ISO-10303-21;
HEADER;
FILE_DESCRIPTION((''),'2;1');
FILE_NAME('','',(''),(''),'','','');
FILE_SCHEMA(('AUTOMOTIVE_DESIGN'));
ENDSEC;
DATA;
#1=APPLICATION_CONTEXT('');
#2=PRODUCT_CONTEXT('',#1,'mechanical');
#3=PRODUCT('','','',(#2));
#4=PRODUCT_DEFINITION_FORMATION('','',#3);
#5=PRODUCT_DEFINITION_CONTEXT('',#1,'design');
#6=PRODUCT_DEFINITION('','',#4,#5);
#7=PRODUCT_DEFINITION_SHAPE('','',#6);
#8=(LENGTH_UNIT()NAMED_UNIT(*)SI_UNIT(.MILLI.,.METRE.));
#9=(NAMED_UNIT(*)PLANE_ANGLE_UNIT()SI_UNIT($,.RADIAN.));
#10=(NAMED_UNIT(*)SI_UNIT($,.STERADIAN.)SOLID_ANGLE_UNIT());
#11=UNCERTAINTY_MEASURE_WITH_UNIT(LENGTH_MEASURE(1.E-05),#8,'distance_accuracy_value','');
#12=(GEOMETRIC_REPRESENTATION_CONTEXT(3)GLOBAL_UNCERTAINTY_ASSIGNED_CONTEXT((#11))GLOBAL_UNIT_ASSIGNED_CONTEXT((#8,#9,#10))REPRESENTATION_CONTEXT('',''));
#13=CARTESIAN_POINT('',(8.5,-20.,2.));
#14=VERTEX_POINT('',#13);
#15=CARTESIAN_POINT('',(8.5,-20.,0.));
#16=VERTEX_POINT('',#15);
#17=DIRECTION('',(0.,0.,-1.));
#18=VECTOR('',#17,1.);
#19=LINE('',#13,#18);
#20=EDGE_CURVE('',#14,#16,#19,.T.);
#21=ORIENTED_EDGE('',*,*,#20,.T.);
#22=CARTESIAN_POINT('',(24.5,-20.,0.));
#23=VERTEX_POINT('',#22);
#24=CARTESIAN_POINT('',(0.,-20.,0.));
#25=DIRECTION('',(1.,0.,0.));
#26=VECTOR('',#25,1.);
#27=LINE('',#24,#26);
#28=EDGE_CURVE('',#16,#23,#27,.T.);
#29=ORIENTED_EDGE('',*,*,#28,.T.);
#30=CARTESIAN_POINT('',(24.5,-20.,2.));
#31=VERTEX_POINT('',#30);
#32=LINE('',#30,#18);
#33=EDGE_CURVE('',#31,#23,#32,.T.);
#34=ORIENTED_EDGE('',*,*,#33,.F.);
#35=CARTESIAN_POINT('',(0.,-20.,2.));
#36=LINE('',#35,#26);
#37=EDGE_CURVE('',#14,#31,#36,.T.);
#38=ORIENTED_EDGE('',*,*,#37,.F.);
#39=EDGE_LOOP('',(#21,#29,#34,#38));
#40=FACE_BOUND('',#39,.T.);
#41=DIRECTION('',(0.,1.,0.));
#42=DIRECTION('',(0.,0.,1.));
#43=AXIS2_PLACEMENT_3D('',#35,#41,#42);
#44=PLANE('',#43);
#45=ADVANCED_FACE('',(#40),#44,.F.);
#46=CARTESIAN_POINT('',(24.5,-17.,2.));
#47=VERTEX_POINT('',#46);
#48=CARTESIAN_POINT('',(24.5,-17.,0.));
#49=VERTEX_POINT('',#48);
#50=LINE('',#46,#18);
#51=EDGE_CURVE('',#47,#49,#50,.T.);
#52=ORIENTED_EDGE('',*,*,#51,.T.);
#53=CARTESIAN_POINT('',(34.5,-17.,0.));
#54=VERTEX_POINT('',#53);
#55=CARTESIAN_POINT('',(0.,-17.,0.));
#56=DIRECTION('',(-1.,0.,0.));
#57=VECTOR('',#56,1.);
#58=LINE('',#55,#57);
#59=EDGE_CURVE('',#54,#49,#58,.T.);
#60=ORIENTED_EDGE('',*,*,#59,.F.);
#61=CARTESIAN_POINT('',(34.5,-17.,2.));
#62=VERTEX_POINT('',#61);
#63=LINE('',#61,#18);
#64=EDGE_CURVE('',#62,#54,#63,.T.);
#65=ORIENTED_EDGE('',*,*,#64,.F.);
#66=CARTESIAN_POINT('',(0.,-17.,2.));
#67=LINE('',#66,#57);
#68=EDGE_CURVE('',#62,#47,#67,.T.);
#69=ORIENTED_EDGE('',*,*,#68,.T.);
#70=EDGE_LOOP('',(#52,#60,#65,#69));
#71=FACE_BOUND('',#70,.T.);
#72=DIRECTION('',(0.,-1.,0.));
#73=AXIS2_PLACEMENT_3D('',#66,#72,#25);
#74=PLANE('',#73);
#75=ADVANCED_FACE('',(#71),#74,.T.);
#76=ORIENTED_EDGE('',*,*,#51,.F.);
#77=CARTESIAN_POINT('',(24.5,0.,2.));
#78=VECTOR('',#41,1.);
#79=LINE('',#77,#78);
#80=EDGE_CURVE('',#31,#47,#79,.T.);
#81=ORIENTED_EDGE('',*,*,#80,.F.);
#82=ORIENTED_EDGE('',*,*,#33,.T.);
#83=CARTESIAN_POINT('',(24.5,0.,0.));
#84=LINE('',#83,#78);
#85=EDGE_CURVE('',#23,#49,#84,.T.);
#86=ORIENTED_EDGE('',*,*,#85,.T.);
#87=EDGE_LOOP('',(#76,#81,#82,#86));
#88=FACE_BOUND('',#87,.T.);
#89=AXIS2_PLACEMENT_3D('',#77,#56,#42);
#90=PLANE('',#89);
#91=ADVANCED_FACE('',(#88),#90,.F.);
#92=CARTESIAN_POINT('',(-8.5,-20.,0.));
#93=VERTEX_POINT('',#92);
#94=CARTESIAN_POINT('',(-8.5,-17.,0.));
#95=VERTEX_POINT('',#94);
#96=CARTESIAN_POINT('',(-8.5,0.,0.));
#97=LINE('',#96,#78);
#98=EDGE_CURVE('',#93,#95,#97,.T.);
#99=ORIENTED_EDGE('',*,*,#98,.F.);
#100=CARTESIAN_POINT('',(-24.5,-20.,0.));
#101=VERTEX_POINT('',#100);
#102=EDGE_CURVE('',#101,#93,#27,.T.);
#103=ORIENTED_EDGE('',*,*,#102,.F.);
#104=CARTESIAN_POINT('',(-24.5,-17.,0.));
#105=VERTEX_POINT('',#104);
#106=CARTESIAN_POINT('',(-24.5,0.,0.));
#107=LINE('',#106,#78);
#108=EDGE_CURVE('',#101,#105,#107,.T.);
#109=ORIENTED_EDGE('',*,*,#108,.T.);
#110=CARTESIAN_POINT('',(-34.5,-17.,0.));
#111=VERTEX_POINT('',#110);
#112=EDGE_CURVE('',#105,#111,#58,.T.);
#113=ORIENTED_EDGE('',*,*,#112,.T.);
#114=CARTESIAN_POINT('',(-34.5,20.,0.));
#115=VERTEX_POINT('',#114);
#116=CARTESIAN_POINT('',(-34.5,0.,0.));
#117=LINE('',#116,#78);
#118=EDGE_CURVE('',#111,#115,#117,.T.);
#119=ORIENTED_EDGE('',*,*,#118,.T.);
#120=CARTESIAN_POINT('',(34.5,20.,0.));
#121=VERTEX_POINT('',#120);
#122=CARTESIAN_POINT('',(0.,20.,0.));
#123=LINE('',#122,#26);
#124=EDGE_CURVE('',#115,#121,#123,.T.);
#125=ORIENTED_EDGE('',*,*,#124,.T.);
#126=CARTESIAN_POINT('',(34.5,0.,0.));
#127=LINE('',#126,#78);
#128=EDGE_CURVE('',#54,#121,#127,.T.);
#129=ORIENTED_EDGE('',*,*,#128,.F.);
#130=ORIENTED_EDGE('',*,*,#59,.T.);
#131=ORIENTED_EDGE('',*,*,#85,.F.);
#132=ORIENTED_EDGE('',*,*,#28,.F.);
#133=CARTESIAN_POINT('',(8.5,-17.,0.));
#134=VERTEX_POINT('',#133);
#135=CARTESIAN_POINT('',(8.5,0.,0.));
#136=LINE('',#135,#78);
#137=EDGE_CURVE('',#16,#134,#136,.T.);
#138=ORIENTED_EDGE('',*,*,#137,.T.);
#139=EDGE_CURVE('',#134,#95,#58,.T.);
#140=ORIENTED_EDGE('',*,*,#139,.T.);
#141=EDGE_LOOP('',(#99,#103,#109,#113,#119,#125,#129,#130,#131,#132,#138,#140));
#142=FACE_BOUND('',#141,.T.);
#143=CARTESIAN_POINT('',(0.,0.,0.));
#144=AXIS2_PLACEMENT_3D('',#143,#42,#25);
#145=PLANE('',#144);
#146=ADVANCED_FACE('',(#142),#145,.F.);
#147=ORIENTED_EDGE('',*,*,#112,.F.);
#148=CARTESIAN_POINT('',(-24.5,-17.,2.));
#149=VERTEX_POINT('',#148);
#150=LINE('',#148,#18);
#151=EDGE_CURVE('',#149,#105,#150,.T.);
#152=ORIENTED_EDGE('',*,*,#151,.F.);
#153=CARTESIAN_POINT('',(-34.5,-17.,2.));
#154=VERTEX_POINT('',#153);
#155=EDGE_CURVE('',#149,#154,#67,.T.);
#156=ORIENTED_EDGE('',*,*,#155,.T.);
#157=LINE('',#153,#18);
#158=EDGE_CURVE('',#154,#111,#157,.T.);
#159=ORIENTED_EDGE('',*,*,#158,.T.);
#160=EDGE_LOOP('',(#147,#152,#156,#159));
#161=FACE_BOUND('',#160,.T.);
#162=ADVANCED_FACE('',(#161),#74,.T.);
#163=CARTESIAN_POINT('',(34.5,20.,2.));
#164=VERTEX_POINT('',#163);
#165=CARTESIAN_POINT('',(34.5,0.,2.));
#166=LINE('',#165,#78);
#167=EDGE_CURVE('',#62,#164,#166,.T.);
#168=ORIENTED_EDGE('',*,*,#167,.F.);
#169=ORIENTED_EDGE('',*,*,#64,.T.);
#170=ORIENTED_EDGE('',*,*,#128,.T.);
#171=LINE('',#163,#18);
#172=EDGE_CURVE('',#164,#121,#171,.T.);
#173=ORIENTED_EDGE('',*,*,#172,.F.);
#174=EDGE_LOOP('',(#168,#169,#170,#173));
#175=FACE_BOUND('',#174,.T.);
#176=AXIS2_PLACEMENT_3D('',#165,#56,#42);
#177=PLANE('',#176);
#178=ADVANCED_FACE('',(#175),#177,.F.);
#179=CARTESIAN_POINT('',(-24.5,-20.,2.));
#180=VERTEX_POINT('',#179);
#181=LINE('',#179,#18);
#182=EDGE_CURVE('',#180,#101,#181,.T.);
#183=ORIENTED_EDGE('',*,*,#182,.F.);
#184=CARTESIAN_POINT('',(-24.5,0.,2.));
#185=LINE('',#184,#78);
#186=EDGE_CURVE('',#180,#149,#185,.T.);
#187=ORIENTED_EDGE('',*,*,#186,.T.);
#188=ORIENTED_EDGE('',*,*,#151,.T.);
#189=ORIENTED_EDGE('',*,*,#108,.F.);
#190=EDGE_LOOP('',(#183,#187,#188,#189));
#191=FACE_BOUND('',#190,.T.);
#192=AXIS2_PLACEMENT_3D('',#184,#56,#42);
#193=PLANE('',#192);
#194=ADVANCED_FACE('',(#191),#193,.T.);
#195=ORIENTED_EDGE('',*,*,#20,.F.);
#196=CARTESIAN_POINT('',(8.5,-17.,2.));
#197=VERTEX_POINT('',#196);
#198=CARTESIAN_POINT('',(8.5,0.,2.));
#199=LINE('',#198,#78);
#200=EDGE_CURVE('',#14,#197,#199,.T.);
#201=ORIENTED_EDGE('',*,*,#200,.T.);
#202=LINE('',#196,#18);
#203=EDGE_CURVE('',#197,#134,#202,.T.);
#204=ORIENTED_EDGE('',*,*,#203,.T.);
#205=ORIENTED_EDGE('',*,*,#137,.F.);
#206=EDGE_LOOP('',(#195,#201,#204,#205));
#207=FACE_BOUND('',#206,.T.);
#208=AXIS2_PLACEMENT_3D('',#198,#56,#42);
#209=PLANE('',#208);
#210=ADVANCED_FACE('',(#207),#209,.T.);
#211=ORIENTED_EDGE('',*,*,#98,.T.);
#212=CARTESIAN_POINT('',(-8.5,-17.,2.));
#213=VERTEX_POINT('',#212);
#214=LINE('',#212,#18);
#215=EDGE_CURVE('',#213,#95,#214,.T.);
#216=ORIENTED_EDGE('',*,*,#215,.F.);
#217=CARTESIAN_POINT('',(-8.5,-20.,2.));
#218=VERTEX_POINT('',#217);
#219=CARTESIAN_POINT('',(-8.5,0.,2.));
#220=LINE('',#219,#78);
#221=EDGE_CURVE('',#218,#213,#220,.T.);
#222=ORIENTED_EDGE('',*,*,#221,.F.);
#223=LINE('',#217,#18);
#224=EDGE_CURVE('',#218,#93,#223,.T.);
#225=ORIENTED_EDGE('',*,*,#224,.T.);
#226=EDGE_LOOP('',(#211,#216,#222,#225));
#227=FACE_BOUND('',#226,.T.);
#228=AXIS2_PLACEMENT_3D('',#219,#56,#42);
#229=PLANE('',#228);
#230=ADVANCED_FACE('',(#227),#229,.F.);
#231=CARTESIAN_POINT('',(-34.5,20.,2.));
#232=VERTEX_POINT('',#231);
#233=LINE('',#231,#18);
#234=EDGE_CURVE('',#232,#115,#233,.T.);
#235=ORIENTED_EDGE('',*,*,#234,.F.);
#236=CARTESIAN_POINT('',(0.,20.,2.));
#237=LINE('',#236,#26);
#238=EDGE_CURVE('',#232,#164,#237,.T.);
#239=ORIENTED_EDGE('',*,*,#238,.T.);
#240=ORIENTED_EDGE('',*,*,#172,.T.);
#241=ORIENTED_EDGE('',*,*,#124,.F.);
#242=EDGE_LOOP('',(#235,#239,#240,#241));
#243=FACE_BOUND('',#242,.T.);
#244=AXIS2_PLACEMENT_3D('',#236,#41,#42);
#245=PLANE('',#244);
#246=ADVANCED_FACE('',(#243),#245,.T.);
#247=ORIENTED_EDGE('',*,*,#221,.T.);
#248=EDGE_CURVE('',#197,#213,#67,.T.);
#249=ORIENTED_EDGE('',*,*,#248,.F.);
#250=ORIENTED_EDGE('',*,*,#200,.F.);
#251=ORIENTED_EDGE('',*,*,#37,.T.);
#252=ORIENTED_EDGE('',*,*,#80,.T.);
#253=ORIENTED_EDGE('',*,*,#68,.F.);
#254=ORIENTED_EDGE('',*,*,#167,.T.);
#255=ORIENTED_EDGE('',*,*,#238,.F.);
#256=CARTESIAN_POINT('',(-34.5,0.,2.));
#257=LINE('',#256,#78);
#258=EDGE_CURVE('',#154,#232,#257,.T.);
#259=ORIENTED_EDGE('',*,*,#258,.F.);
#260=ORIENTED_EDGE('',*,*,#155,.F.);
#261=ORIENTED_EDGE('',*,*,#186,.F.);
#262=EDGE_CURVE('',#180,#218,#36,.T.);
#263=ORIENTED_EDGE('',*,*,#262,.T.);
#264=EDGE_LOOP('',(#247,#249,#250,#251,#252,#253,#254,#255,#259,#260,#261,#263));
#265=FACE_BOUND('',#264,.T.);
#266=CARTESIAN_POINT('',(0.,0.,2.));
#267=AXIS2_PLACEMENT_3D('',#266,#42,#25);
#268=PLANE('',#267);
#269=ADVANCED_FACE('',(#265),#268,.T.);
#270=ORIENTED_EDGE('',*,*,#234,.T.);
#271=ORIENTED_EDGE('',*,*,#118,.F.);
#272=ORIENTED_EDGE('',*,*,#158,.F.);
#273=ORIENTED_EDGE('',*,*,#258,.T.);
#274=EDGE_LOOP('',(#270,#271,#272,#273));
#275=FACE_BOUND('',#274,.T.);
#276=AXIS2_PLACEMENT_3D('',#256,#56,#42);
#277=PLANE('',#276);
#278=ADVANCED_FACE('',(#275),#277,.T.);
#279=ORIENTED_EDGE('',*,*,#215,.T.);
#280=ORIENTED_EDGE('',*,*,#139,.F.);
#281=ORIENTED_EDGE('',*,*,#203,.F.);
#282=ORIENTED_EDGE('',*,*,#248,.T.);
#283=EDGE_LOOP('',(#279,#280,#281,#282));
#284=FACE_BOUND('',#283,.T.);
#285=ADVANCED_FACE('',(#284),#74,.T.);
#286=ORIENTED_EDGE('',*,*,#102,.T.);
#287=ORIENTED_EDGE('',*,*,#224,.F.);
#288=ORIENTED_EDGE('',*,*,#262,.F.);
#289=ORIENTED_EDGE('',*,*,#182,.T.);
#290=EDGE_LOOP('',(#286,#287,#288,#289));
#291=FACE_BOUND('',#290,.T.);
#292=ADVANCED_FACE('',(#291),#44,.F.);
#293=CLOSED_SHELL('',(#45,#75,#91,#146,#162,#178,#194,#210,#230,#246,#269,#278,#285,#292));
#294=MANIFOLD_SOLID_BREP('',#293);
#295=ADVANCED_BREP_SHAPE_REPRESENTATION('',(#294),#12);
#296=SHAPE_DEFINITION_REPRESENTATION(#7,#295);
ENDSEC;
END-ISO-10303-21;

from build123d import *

# Parameters (mm, degrees)
BOSS_EXTRUDE1_DEPTH = 2


with BuildPart() as part:
    # Sketch1 → Boss-Extrude1 (new body)
    with BuildSketch(Plane.XY):
        Polygon((-24.5, -17), (-24.5, -20), (-8.5, -20), (-8.5, -17), (8.5, -17), (8.5, -20), (24.5, -20), (24.5, -17), (34.5, -17), (34.5, 20), (-34.5, 20), (-34.5, -17), align=None)
    extrude(amount=BOSS_EXTRUDE1_DEPTH)


solid = part.part
